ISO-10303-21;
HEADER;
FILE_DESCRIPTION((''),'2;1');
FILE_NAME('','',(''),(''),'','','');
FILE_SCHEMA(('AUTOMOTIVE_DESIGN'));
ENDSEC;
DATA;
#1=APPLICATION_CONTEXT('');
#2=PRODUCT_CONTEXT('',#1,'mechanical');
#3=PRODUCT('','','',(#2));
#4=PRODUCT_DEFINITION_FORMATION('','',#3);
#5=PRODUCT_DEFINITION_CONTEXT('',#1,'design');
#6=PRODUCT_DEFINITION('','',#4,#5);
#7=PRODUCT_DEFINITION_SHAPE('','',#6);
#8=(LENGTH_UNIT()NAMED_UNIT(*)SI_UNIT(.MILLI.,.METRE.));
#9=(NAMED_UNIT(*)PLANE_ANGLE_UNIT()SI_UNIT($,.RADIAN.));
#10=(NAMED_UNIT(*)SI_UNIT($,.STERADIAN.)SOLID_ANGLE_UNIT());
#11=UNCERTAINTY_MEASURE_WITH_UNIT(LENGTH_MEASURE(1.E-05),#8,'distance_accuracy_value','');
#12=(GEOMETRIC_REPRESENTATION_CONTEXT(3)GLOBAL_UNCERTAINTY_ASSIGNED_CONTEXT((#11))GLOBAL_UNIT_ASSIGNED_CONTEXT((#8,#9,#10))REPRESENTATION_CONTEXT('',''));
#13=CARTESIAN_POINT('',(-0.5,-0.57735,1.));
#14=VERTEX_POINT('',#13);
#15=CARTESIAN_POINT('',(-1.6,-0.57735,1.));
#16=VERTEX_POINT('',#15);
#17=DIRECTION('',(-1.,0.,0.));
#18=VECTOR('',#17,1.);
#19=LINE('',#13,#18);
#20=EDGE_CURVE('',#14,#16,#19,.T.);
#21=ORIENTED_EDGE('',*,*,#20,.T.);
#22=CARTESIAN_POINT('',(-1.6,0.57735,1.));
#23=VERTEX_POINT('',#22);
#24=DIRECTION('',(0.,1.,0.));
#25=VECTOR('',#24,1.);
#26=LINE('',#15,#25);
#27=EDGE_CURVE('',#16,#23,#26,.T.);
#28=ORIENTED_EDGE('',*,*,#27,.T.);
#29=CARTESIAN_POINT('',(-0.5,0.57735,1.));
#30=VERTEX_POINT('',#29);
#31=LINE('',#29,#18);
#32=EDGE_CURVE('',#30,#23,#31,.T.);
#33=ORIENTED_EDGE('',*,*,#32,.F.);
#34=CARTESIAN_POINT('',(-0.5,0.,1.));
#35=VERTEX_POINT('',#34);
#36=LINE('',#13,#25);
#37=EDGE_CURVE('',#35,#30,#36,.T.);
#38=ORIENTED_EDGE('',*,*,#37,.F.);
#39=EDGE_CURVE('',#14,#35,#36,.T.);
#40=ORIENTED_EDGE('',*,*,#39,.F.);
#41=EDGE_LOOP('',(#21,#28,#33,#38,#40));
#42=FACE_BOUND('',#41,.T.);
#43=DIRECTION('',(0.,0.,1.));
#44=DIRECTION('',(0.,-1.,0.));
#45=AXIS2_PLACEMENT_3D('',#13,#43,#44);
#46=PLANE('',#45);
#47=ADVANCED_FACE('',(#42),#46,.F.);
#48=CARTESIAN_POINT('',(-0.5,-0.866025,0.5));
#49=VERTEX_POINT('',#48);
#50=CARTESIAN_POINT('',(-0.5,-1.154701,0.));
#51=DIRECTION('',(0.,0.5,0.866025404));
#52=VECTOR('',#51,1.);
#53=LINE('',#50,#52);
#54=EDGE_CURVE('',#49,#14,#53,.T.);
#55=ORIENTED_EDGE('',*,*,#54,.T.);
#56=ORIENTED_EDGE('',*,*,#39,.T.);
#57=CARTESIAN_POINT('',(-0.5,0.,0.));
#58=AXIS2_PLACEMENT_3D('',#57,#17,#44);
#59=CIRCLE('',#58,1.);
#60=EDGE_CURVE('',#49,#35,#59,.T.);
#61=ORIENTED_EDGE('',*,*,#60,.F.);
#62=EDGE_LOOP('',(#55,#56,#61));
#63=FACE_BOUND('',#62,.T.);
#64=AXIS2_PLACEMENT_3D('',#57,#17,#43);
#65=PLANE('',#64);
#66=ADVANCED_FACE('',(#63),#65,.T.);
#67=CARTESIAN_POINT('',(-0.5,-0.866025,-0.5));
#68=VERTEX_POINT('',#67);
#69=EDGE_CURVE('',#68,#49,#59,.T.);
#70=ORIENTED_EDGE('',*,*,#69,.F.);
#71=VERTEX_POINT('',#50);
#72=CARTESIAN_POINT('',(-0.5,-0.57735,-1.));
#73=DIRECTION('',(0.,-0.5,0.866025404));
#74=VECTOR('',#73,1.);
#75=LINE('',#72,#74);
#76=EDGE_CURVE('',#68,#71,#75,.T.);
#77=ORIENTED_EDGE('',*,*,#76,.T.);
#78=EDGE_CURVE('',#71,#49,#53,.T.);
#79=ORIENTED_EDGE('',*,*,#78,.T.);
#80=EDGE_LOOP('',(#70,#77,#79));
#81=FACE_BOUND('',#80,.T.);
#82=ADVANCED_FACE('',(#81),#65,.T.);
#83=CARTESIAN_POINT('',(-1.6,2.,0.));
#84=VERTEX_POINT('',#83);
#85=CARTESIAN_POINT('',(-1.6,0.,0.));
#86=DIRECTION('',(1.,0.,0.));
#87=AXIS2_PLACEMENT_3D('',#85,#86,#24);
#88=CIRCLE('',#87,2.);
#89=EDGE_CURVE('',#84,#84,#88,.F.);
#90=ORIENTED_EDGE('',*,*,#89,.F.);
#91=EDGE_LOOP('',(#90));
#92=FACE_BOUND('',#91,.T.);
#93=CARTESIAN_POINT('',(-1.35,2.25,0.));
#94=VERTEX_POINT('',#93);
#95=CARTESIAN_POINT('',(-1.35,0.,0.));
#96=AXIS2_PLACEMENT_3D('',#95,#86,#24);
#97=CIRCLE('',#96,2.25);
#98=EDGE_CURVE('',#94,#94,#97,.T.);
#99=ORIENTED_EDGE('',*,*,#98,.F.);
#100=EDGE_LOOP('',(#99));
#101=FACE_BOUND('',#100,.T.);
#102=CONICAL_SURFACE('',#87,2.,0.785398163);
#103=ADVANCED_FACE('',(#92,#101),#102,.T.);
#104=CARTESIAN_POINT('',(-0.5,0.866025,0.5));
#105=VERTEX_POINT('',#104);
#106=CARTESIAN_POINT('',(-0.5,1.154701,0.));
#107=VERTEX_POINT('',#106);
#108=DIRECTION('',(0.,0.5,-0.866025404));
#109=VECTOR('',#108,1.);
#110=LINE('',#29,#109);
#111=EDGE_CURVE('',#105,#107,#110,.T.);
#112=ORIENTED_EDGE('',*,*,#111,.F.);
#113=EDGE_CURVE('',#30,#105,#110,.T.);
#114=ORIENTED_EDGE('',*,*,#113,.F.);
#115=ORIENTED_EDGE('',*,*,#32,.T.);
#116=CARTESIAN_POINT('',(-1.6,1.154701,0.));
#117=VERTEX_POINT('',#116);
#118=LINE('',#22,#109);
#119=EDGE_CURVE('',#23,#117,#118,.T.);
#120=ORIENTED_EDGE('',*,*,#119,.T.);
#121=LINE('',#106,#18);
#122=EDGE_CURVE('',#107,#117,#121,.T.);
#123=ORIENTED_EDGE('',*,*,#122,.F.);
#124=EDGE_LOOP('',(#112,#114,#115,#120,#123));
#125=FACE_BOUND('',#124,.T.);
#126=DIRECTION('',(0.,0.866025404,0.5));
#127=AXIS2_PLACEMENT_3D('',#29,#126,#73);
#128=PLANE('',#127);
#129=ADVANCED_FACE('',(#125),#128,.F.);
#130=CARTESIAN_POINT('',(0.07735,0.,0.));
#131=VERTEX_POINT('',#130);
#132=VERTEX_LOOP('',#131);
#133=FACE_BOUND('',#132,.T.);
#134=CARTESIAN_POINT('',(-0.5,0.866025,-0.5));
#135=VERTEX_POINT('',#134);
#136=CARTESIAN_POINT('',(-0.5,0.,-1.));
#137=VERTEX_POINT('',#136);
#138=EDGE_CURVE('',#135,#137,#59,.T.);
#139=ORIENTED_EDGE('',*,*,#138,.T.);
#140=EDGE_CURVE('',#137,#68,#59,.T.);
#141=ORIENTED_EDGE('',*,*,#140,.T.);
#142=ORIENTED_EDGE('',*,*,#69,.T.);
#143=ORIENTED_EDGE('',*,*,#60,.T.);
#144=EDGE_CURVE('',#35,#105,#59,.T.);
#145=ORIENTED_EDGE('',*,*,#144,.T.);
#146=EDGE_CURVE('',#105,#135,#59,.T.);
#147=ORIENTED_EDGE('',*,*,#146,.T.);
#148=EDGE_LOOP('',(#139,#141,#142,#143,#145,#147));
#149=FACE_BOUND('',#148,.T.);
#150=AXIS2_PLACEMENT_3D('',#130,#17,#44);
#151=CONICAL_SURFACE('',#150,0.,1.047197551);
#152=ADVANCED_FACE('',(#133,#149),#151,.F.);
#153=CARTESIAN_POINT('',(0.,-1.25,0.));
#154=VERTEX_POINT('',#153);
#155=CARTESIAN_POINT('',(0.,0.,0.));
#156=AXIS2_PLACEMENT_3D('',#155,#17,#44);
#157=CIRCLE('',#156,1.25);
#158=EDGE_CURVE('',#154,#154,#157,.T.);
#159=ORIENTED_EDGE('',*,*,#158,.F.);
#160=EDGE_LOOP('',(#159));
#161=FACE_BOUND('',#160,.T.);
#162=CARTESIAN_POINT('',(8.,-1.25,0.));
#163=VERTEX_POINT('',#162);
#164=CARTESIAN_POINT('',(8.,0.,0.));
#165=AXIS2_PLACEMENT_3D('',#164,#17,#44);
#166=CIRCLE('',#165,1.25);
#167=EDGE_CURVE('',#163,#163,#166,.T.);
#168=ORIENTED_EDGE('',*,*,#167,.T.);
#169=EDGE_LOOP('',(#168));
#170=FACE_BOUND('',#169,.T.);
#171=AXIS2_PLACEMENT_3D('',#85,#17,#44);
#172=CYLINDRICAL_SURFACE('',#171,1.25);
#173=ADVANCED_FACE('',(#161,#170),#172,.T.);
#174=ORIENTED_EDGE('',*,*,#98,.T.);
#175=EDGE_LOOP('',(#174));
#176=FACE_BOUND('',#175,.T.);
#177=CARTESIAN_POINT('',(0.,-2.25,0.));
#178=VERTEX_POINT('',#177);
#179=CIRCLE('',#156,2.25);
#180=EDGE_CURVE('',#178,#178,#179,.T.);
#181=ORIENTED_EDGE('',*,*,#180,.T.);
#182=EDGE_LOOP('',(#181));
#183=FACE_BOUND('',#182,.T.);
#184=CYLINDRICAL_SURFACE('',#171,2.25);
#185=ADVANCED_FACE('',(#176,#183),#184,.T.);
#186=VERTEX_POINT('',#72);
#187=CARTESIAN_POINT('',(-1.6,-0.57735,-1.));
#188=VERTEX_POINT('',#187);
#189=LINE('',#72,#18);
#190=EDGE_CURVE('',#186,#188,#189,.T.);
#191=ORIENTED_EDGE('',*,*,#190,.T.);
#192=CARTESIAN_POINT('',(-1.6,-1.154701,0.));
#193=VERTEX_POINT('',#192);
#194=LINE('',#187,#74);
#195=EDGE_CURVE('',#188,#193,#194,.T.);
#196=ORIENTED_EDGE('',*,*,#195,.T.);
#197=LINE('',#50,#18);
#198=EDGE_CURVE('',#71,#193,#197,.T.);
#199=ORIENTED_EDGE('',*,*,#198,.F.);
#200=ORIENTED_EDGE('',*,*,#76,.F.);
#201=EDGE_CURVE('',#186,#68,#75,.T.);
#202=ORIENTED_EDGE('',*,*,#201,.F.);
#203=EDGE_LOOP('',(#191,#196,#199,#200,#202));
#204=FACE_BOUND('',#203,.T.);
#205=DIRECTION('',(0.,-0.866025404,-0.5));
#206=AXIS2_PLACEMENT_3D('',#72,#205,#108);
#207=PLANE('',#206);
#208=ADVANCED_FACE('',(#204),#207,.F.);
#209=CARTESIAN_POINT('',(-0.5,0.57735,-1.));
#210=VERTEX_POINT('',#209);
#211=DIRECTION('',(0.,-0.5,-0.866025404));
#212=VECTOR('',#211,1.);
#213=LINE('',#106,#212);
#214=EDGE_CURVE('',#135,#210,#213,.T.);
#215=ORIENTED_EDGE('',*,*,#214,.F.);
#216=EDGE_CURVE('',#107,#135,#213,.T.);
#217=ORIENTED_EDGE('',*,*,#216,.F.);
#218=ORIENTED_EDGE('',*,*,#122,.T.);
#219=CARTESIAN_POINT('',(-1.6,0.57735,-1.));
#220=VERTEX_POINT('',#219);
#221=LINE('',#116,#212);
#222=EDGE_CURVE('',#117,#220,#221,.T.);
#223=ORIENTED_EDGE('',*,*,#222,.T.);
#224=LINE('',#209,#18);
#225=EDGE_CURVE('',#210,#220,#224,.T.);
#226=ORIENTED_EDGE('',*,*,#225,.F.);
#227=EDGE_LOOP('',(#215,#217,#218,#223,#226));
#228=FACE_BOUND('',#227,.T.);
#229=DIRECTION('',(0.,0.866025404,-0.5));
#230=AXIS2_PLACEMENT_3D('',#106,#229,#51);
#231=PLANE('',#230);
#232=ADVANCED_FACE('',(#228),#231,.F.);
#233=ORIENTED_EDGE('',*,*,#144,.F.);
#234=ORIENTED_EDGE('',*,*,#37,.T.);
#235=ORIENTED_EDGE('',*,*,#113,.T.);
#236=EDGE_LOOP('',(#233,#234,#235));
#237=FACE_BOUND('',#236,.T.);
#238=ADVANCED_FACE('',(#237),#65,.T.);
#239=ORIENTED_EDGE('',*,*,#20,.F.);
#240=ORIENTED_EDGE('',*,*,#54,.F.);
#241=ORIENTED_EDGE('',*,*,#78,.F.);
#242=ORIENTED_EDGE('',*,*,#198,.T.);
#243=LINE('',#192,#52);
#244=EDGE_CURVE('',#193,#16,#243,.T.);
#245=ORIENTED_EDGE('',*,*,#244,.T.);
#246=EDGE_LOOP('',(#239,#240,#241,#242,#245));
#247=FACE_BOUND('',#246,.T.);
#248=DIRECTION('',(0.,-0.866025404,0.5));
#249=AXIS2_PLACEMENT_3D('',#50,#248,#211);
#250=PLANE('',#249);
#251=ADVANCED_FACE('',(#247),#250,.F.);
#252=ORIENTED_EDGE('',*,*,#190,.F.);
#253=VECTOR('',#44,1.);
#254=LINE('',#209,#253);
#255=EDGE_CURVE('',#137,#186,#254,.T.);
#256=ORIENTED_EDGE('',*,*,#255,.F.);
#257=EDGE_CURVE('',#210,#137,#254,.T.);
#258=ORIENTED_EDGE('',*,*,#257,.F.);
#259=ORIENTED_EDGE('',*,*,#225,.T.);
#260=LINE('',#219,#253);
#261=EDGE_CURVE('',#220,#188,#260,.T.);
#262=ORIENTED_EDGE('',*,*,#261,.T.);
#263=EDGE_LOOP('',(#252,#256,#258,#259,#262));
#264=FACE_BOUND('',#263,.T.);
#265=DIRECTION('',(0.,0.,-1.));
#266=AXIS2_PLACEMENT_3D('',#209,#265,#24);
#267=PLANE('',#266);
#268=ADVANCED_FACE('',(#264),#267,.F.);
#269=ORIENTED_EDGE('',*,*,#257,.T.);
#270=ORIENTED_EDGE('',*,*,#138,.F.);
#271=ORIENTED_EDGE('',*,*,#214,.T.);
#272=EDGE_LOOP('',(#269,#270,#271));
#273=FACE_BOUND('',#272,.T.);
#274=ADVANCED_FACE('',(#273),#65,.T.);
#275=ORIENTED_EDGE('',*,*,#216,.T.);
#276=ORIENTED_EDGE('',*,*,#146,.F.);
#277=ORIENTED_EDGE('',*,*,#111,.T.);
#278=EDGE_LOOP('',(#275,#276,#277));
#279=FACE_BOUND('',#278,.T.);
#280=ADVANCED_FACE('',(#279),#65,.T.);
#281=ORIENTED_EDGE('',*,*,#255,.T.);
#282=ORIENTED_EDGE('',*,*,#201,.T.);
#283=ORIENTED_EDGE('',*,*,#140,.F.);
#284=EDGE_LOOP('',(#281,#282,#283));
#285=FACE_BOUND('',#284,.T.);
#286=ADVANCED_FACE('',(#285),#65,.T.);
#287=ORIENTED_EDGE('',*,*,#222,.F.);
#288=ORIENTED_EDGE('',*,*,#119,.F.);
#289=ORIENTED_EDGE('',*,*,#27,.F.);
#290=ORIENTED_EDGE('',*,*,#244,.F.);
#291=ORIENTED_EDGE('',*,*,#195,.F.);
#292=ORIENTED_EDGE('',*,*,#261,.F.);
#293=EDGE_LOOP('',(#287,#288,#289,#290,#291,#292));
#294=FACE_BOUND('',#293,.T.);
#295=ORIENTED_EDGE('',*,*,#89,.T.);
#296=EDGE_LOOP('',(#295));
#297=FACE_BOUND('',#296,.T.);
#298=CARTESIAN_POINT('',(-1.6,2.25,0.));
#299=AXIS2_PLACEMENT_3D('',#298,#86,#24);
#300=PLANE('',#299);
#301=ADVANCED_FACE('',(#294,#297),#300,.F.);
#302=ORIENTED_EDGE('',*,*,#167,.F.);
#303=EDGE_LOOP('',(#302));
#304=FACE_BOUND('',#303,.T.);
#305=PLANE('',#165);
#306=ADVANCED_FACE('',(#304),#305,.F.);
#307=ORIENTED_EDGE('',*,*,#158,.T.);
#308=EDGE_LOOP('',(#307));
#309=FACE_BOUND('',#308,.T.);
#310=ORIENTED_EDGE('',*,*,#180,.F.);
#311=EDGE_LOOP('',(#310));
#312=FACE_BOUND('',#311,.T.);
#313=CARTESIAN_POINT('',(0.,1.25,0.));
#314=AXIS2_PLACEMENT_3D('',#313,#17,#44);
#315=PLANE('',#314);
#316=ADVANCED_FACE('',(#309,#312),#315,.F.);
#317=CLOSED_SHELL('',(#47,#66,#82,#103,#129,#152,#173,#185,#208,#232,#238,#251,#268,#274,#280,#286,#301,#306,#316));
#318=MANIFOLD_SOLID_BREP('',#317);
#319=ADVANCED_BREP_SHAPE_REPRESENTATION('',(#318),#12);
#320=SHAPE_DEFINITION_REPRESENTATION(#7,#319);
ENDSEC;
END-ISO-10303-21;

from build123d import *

# Parameters (mm, degrees)
CUT_EXTRUDE1_DEPTH = 1.1
CHAMFER1_SIZE      = 0.25


with BuildPart() as part:
    # Sketch1 → Revolve1 (revolve)
    with BuildSketch(Plane.XY, mode=Mode.PRIVATE) as revolve1_sk:
        Polygon((8, 0), (8, 1.25), (0, 1.25), (0, 2.25), (-1.6, 2.25), (-1.6, 0), align=None)
    revolve(revolve1_sk.sketch.rotate(Axis((-1.6, 0, 0), (1, 0, 0)), 180), axis=Axis((-1.6, 0, 0), (1, 0, 0)))

    # Sketch2 → Cut-Extrude1 (cut)
    with BuildSketch(Plane.ZY.offset(1.6)):
        Polygon((0, 1.154700538), (-1, 0.577350269), (-1, -0.577350269), (0, -1.154700538), (1, -0.577350269), (1, 0.577350269), align=None)
    extrude(amount=-CUT_EXTRUDE1_DEPTH, mode=Mode.SUBTRACT)

    # Sketch3 → Cut-Revolve1 (revolve, cut)
    with BuildSketch(Plane.XY, mode=Mode.PRIVATE) as cut_revolve1_sk:
        Polygon((0.077350269, 0), (-0.5, 1), (-0.5, 0), align=None)
    revolve(cut_revolve1_sk.sketch.rotate(Axis((-0.5, 0, 0), (1, 0, 0)), 180), axis=Axis((-0.5, 0, 0), (1, 0, 0)), mode=Mode.SUBTRACT)

    # Chamfer1
    chamfer1_edges = [part.edges().sort_by_distance(p)[0] for p in [
        (-1.6, 2.25, 0),
    ]]
    chamfer(chamfer1_edges, length=CHAMFER1_SIZE)


solid = part.part
